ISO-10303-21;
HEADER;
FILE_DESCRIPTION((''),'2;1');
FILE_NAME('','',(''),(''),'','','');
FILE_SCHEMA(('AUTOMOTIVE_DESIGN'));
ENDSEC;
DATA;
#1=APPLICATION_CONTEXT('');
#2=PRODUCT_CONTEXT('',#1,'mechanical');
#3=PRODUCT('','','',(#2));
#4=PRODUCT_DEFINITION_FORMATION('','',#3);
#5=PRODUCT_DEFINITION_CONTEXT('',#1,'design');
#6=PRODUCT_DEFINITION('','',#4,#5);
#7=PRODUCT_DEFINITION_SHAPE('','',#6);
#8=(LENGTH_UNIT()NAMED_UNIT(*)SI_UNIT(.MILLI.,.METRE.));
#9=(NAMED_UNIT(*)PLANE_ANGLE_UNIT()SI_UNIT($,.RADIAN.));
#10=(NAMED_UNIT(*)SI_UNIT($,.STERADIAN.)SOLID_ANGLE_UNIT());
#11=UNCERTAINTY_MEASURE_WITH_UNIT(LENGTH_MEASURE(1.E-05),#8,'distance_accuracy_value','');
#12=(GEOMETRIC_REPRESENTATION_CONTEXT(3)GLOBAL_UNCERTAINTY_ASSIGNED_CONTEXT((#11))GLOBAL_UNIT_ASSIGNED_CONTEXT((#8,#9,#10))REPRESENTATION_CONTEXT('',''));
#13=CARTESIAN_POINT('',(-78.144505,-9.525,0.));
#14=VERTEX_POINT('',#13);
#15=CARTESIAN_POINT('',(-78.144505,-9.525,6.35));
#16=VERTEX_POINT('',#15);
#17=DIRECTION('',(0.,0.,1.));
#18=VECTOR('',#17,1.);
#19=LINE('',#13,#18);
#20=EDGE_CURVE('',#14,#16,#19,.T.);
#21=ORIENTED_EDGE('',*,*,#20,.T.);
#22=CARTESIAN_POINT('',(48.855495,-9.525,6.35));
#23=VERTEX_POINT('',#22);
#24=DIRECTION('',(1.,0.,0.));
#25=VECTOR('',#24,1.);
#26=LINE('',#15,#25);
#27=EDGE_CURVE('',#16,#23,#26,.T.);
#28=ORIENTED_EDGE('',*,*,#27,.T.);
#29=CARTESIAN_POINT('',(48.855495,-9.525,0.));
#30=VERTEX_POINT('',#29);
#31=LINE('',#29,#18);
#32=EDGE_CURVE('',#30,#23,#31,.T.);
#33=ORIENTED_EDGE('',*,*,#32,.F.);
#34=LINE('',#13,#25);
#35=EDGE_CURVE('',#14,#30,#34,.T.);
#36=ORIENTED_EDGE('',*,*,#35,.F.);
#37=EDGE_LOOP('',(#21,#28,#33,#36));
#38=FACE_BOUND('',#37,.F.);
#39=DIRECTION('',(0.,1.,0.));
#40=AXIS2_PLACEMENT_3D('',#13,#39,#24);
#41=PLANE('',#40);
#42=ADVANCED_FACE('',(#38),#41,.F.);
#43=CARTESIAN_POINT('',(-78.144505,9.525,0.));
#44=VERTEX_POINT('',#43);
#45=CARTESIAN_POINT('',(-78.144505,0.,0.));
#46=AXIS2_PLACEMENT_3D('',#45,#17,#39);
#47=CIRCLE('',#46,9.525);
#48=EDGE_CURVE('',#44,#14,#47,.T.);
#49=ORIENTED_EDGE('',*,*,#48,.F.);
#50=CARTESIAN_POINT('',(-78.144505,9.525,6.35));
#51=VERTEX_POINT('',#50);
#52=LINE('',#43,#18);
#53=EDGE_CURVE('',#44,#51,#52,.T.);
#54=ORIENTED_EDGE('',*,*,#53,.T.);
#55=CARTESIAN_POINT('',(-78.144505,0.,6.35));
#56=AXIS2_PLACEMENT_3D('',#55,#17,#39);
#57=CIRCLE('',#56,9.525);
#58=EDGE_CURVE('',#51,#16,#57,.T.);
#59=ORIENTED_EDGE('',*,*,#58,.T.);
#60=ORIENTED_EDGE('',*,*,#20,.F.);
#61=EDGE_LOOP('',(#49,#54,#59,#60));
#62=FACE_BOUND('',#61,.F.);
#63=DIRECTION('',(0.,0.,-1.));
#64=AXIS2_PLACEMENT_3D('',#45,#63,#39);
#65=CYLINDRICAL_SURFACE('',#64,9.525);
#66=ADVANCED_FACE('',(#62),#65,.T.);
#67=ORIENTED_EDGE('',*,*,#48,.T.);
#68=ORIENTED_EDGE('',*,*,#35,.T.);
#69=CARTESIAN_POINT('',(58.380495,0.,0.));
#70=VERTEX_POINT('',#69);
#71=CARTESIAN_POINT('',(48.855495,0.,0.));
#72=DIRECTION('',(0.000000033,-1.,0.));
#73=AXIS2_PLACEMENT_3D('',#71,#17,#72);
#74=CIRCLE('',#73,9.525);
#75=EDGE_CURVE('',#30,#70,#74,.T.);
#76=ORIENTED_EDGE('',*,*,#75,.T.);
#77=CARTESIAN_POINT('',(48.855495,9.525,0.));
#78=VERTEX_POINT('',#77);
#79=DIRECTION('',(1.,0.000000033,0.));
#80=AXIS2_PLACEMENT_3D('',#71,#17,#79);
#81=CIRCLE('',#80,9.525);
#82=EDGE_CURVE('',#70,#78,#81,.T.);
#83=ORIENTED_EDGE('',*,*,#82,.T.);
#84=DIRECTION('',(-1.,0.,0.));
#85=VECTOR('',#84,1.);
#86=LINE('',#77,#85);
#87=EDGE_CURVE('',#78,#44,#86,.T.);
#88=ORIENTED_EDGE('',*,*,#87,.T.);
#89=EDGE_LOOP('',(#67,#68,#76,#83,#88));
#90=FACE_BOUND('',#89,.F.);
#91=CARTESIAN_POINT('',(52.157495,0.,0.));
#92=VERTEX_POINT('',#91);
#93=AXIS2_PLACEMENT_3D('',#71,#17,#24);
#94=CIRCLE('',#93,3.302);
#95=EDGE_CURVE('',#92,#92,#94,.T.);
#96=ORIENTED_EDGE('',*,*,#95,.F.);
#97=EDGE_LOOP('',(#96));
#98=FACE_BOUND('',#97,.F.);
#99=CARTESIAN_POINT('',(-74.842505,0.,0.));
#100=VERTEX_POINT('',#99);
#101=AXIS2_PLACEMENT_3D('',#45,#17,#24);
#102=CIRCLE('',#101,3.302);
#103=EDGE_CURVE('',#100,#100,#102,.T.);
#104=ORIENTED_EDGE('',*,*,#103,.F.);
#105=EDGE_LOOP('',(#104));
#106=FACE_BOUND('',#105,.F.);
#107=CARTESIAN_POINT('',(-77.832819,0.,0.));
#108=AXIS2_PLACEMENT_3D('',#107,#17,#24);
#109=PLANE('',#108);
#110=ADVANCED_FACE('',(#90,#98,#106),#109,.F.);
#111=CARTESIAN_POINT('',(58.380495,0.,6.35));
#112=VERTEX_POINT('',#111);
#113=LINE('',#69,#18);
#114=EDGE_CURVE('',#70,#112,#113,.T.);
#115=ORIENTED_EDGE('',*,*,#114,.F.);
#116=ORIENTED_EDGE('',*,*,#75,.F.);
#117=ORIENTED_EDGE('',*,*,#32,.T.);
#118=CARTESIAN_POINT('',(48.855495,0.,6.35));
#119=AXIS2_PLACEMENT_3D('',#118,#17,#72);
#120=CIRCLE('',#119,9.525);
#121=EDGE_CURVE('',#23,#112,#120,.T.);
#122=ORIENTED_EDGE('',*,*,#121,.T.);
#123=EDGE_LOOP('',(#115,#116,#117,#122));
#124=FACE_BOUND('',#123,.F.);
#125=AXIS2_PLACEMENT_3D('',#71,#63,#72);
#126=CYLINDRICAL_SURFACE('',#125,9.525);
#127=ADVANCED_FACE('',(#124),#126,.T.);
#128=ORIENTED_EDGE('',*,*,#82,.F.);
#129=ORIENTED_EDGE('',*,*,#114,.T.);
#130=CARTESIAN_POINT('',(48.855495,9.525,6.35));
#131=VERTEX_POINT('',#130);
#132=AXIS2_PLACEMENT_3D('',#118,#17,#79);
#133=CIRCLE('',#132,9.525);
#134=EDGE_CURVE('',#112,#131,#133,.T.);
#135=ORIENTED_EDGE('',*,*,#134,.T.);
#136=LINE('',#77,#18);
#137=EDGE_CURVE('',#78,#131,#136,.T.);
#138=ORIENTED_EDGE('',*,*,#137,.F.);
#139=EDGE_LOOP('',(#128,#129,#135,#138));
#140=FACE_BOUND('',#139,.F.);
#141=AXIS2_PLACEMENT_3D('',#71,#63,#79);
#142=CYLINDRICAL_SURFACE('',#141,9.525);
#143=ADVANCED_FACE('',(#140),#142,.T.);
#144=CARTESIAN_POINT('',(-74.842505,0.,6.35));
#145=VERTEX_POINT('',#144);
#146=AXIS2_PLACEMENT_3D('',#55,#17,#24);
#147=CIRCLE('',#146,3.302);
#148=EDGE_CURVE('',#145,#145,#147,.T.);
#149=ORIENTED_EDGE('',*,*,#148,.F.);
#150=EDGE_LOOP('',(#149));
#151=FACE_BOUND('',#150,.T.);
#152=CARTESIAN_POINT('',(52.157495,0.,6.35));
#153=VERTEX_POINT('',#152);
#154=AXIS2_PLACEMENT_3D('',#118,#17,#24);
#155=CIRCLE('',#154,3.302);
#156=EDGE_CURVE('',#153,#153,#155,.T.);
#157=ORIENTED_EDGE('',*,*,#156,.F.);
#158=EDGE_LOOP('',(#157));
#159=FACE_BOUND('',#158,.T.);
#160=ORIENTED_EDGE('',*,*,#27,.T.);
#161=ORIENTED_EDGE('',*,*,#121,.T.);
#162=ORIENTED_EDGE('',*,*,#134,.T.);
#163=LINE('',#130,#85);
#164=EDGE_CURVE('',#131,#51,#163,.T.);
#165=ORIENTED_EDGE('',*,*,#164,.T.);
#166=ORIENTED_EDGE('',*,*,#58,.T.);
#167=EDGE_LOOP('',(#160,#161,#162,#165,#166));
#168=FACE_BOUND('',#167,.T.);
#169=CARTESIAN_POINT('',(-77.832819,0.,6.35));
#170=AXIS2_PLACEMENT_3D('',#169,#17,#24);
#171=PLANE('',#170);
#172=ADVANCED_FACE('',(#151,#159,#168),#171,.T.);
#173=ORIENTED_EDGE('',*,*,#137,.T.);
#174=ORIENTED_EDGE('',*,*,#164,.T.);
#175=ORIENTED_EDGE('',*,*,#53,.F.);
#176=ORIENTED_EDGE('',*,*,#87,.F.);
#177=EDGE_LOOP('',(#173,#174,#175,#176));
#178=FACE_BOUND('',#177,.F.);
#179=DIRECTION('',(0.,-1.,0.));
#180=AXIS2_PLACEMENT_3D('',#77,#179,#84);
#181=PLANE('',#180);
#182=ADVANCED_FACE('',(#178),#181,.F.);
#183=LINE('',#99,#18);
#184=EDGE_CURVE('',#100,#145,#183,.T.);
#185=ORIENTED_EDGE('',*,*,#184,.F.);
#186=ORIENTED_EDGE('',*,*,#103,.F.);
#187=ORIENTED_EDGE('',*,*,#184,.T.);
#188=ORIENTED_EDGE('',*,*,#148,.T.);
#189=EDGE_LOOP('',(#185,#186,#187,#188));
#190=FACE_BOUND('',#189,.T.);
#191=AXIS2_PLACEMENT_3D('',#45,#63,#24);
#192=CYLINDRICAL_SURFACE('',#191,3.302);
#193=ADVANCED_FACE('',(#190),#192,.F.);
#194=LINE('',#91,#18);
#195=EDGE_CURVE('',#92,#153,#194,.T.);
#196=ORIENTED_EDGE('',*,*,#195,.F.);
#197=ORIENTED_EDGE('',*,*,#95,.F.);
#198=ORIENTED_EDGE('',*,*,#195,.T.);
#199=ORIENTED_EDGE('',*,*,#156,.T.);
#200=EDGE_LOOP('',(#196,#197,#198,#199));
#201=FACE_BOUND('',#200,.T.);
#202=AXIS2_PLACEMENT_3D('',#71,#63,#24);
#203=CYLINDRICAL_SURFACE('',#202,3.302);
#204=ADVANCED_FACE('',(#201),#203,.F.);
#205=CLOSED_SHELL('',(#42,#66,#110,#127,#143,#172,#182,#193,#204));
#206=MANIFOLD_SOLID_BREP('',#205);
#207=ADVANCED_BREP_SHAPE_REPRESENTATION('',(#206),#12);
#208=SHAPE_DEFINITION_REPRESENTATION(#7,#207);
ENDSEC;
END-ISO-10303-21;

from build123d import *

# Parameters (mm, degrees)
F0_R     = 3.302
F1_DEPTH = 6.35


with BuildPart() as f1:
    # F0 (on Top) → F1 (new body)
    with BuildSketch(Plane.XY):
        with BuildLine():
            ThreePointArc((-78.144505, -9.525), (-71.409313, -6.735192), (-68.619505, 0))
            ThreePointArc((-68.619505, 0), (-71.409313, 6.735192), (-78.144505, 9.525))
            ThreePointArc((-78.144505, 9.525), (-87.669505, 0), (-78.144505, -9.525))
        make_face()
        with Locations((-78.144505, 0)):
            Circle(F0_R, mode=Mode.SUBTRACT)
        with BuildLine():
            ThreePointArc((58.380495, 0), (55.590687, 6.735192), (48.855495, 9.525))
            ThreePointArc((48.855495, 9.525), (39.330495, 0), (48.855495, -9.525))
            ThreePointArc((48.855495, -9.525), (55.590687, -6.735192), (58.380495, 0))
        make_face()
        with Locations((48.855495, 0)):
            Circle(F0_R, mode=Mode.SUBTRACT)
        with BuildLine():
            ThreePointArc((-78.144505, 9.525), (-71.409313, 6.735192), (-68.619505, 0))
            ThreePointArc((-68.619505, 0), (-71.409313, -6.735192), (-78.144505, -9.525))
            Line((-78.144505, -9.525), (48.855495, -9.525))
            ThreePointArc((48.855495, -9.525), (39.330495, 0), (48.855495, 9.525))
            Line((48.855495, 9.525), (-78.144505, 9.525))
        make_face()
    extrude(amount=F1_DEPTH)


solid = f1.part
